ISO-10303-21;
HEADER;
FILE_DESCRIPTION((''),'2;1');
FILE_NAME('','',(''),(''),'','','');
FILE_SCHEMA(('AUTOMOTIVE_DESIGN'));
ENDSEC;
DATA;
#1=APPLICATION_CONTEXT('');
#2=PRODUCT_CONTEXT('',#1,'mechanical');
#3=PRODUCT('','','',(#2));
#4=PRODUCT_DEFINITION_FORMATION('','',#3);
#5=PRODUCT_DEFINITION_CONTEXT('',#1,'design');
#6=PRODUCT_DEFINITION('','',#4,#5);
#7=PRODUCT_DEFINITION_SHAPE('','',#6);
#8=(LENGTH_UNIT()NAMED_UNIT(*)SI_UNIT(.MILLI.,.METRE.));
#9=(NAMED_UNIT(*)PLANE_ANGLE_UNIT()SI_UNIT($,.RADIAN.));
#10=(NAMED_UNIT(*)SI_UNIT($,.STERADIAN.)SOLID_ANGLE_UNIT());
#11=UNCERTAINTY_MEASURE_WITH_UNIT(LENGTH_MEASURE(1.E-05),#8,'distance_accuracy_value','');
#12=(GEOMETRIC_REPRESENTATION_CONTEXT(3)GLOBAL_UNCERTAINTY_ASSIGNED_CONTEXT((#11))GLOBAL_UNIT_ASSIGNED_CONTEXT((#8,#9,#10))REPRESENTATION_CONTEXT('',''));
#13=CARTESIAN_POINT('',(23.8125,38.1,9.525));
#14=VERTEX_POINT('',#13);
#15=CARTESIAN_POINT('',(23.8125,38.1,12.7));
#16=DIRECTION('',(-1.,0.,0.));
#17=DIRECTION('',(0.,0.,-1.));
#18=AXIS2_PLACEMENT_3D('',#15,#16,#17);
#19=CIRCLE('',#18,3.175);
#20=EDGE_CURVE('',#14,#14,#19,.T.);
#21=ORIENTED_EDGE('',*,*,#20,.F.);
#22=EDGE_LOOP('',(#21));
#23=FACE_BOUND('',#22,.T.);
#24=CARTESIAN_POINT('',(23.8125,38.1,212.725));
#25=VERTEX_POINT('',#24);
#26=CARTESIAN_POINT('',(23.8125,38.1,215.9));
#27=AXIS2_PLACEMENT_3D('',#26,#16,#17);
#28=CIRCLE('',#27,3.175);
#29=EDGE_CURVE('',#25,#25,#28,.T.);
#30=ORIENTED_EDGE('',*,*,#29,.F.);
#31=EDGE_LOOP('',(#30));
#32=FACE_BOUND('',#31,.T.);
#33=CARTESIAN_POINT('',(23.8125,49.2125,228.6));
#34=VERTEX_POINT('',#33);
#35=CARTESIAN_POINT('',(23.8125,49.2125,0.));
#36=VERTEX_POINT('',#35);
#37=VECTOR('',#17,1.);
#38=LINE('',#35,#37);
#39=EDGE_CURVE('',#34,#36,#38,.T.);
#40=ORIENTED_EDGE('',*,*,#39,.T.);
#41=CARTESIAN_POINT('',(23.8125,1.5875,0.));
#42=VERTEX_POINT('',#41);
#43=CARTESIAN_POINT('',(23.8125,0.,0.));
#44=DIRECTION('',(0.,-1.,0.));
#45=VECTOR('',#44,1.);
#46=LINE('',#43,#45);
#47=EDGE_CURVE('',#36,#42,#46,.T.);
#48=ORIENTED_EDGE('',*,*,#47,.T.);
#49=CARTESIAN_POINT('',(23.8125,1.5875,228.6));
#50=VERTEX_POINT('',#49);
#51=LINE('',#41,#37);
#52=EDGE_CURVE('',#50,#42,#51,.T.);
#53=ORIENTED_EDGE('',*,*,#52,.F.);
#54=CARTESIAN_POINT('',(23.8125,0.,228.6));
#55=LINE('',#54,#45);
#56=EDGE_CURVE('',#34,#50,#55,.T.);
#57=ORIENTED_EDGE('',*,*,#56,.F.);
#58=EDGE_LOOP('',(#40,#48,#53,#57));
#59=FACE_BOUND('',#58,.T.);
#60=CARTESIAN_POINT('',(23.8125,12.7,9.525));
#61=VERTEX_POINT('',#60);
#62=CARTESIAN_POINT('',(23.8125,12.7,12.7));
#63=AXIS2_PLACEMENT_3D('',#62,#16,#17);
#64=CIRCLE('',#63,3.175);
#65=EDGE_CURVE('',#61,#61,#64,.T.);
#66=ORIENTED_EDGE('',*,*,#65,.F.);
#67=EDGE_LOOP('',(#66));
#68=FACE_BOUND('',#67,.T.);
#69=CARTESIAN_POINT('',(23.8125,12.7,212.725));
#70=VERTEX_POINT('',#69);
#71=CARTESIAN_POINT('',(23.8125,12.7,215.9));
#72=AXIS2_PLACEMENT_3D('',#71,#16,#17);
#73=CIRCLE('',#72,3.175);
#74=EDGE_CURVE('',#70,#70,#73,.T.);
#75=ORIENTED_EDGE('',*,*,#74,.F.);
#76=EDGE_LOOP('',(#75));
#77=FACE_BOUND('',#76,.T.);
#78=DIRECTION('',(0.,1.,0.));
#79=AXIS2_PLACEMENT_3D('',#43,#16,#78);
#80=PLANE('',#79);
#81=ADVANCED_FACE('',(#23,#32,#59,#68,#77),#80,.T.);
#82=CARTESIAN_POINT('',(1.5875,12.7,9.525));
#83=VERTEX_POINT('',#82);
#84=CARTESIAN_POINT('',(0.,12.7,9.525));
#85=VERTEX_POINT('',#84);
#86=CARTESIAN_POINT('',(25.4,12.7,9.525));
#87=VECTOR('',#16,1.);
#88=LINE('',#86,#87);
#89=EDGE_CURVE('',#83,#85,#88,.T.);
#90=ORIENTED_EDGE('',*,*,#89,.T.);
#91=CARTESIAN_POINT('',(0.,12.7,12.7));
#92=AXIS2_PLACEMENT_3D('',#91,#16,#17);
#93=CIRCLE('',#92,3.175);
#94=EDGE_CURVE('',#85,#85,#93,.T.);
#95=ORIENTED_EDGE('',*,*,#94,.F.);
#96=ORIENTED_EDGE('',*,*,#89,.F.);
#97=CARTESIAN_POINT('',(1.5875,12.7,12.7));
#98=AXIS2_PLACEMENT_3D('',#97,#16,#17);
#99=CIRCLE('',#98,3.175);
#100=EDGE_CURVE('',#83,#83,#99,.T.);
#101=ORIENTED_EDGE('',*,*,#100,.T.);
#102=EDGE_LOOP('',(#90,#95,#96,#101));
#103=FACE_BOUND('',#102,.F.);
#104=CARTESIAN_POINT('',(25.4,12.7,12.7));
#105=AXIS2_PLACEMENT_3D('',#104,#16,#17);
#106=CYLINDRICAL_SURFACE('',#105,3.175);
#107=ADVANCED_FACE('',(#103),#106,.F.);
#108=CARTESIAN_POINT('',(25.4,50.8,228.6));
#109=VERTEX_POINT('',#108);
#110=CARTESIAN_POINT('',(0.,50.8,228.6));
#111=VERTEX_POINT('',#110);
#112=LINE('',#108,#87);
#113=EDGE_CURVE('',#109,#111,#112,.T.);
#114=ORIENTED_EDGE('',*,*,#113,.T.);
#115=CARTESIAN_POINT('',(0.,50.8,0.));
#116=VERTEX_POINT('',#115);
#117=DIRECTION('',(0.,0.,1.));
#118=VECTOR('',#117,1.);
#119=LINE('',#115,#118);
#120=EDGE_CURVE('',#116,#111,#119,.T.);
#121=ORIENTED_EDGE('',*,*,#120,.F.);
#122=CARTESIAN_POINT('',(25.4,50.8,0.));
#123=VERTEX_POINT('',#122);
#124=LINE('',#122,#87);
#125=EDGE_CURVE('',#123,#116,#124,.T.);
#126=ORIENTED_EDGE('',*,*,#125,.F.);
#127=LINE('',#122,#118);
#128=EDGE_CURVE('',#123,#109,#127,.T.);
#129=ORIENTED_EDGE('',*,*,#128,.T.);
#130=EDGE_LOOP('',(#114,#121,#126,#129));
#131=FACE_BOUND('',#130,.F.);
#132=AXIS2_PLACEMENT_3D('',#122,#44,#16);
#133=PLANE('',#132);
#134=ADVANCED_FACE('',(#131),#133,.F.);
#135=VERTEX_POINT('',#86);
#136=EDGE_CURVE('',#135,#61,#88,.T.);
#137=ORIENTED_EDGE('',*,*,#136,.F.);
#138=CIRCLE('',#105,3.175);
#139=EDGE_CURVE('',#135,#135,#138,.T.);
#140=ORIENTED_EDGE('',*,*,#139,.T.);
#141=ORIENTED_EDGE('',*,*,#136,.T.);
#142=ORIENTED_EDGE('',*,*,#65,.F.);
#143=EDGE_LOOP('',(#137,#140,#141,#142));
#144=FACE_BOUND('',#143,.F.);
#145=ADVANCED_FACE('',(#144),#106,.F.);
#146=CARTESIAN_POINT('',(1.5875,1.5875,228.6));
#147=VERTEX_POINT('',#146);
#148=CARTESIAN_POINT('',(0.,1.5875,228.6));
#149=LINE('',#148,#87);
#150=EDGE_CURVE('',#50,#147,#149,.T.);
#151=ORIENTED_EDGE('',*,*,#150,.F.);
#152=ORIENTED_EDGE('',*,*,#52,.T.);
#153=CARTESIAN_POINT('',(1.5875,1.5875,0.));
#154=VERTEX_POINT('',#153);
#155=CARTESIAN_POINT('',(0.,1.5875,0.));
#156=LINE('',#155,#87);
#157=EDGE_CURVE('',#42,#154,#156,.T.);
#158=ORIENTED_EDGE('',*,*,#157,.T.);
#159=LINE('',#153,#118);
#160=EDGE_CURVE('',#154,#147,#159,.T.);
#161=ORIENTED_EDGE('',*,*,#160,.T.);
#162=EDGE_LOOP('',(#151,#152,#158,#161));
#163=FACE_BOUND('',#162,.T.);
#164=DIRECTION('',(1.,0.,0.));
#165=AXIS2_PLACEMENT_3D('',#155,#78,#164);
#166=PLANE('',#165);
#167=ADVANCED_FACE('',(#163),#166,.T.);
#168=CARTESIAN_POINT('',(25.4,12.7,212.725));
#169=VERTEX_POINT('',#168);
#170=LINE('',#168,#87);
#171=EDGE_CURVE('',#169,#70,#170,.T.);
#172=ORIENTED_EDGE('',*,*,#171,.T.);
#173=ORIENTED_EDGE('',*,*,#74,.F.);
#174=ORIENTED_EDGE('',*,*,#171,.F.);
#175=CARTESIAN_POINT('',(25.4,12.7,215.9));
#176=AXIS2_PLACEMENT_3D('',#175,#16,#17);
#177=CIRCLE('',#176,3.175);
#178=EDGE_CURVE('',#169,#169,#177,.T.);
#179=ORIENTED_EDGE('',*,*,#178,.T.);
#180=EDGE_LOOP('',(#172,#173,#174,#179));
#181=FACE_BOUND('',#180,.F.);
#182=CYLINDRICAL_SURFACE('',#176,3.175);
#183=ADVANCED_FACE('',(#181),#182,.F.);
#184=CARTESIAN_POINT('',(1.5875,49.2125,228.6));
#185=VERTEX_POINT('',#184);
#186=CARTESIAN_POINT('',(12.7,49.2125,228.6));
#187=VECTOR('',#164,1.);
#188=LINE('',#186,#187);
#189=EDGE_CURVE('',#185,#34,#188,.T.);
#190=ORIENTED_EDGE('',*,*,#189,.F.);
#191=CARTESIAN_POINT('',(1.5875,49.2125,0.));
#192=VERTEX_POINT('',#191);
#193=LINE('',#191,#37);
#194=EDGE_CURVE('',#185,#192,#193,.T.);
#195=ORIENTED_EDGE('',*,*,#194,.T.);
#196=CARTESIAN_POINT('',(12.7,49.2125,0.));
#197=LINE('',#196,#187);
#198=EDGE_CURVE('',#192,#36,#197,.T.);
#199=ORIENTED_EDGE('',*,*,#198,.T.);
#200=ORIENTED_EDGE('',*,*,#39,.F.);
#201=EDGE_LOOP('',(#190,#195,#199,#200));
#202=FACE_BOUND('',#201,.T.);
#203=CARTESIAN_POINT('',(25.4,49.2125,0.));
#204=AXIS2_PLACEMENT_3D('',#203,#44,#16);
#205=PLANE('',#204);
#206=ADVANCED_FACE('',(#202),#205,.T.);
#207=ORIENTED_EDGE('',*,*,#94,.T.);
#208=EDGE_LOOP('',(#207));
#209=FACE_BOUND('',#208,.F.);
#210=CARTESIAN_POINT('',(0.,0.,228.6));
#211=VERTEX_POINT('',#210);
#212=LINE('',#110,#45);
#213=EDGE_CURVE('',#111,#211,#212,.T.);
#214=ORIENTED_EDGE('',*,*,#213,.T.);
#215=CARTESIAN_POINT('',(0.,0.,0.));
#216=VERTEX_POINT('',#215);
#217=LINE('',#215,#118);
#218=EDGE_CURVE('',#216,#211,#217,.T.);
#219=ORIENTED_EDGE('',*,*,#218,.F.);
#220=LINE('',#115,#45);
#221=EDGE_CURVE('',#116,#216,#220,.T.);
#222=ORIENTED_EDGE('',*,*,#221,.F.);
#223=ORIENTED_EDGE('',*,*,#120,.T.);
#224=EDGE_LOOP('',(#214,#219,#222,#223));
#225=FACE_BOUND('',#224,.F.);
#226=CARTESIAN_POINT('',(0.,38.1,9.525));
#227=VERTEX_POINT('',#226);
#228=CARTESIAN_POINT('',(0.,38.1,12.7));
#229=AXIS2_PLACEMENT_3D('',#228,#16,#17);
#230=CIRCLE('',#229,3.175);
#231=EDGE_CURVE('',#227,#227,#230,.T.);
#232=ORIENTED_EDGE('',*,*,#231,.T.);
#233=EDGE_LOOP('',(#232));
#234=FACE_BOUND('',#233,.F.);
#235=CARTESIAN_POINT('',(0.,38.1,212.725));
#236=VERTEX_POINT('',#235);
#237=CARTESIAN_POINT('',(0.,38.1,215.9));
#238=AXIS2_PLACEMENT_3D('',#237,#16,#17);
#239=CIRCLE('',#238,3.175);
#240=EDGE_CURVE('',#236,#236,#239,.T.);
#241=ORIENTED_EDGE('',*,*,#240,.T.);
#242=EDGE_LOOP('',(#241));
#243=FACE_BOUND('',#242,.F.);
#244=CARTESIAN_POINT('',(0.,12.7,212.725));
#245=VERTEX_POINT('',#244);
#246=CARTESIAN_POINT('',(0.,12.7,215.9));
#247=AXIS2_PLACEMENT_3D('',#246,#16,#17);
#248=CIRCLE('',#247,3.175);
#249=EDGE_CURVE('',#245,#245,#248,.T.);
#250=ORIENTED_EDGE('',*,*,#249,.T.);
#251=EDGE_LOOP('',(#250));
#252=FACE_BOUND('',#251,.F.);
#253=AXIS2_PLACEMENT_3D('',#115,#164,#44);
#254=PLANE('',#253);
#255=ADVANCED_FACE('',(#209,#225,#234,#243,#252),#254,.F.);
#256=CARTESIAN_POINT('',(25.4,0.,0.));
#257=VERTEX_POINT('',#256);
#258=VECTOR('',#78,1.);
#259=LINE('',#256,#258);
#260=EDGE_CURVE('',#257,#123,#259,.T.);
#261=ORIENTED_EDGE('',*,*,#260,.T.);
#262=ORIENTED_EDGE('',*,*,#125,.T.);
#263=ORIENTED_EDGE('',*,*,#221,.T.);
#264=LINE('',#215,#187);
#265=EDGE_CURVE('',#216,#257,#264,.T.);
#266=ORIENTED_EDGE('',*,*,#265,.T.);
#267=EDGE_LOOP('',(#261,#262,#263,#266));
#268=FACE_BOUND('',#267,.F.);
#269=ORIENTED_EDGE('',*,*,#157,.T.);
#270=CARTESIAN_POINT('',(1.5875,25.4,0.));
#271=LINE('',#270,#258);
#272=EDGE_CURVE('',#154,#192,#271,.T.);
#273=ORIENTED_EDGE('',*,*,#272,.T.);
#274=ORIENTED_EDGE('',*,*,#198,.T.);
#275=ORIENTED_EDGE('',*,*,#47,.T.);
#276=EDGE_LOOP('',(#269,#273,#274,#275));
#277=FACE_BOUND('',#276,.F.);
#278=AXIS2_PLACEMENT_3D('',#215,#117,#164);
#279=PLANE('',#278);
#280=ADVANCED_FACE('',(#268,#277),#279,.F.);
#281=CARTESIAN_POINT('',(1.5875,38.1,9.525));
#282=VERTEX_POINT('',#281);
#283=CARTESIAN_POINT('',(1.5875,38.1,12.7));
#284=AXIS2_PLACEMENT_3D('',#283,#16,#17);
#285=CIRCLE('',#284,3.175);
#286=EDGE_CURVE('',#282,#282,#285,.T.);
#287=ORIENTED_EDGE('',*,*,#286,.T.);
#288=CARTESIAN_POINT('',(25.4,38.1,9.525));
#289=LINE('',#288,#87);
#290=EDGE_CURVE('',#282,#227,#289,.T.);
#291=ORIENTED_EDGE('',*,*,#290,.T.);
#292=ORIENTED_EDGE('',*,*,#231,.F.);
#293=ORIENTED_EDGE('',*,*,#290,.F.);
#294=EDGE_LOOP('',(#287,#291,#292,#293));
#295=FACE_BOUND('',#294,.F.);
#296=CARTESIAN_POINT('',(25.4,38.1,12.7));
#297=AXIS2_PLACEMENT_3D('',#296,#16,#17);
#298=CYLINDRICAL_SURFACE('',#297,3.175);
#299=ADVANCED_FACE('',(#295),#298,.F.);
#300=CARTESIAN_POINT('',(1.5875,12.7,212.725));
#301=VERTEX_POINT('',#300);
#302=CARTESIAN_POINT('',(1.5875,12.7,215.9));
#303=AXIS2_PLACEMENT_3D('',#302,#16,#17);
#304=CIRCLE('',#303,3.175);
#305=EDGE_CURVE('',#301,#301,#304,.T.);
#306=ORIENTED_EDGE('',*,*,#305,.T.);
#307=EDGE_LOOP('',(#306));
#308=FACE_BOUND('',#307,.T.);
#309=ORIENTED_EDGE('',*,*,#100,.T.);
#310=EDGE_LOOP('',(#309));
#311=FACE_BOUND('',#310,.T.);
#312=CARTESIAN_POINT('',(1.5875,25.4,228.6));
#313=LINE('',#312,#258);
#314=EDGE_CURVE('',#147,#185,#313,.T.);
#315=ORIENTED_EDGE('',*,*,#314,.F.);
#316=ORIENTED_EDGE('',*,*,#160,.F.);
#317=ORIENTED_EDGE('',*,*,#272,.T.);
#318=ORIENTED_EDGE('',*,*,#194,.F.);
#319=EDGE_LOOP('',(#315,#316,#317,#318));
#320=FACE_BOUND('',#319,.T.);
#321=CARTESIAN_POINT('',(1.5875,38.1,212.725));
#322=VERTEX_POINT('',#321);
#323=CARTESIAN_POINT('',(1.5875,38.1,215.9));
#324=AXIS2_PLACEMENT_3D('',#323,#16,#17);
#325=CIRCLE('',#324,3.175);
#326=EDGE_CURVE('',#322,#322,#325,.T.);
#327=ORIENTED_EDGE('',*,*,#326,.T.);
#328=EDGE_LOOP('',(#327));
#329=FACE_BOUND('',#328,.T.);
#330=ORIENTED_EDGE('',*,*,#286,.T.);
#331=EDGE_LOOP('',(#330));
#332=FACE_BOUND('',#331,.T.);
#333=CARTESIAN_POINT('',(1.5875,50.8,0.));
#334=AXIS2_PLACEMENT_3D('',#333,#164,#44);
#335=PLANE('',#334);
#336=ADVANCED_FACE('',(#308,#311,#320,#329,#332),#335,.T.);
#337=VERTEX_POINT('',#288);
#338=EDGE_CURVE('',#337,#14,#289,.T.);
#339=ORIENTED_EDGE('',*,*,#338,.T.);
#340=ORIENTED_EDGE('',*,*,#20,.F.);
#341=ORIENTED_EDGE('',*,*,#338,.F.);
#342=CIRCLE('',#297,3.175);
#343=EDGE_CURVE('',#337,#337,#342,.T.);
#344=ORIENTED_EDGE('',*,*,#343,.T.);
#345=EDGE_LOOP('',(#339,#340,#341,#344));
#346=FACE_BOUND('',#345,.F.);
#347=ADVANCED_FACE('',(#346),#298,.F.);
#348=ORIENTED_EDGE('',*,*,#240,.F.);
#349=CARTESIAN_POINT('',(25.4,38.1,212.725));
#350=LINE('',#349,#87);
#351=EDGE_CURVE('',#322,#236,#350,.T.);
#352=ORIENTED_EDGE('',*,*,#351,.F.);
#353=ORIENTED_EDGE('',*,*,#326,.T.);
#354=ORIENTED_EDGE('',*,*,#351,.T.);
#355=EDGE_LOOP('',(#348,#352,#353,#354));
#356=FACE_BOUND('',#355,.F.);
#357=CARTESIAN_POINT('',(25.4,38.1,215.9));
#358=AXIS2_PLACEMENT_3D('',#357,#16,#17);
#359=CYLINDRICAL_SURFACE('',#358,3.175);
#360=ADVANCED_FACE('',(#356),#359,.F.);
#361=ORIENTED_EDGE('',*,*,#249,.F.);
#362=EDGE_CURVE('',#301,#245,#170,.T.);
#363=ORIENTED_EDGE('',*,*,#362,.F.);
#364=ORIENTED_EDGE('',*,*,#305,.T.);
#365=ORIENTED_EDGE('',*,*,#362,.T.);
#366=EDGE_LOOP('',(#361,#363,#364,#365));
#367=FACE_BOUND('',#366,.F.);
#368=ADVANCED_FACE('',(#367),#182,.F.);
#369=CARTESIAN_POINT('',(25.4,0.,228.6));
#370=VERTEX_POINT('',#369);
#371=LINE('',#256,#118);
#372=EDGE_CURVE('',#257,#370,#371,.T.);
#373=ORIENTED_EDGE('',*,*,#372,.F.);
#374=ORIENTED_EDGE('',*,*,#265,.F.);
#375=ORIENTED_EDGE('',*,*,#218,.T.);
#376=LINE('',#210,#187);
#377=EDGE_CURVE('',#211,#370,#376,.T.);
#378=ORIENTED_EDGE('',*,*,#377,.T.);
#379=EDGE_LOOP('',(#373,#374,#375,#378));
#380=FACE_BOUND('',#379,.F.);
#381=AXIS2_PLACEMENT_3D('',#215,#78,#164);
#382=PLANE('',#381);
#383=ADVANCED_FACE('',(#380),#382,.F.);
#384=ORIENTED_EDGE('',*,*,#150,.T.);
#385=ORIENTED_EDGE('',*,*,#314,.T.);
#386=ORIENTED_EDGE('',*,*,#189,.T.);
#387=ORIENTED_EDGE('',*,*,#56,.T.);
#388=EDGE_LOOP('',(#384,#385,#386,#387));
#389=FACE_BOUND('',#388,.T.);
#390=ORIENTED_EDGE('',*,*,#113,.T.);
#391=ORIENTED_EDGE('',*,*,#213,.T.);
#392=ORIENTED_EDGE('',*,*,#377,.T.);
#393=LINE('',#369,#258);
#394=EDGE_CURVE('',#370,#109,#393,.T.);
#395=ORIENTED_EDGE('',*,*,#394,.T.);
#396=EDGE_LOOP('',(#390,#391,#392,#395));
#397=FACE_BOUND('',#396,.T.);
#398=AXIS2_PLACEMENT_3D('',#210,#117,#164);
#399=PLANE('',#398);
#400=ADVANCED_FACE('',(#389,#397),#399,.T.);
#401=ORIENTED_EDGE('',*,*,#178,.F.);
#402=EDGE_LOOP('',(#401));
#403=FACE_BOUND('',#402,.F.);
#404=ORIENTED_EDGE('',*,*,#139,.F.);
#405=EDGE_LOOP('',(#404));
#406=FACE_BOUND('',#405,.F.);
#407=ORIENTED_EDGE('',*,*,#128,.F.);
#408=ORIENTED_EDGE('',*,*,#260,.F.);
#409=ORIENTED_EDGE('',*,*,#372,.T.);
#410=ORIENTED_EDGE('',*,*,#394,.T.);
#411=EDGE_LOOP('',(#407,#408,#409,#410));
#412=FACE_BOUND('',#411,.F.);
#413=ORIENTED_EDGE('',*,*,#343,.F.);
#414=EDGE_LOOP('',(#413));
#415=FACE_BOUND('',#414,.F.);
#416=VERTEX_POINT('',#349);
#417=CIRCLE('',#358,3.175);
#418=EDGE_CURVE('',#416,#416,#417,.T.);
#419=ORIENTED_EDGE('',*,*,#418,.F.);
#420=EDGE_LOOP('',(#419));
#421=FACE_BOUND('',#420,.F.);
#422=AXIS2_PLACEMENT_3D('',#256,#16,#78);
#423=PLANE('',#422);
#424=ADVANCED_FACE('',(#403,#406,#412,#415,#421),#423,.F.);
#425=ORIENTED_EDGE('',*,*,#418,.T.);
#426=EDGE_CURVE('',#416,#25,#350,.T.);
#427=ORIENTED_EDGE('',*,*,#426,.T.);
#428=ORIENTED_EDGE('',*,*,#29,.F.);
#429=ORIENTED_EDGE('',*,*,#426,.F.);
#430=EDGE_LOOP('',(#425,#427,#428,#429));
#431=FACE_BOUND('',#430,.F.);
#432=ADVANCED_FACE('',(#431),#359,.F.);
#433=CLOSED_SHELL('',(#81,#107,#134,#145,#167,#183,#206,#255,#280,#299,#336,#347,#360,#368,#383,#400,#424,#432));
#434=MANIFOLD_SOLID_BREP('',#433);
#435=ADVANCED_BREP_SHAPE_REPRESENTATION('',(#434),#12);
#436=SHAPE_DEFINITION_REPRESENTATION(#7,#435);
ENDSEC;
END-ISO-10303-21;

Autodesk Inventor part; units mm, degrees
ref_plane "YZ Plane" through (0, 0, 0) normal (1, 0, 0) x (0, 1, 0)
ref_plane "XZ Plane" through (0, 0, 0) normal (0, 1, 0) x (-1, 0, 0)
ref_plane "XY Plane" through (0, 0, 0) normal (0, 0, 1) x (1, 0, 0)
sketch "Sketch1" plane through (0, 0, 0) normal (0, 0, 1) x (1, 0, 0)
  line L0 (0, 0) -> (25.4, 0)
  line L1 (25.4, 0) -> (25.4, 50.8)
  line L2 (25.4, 50.8) -> (0, 50.8)
  line L3 (0, 50.8) -> (0, 0)
  dimension "d0" = 25.4
  dimension "d1" = 50.8
extrude "Extrusion1" add sketch "Sketch1" along normal blind 228.6
shell "Shell1" thickness 1.5875 removed faces 2 at (8.4667, 33.8667, 0) at (8.4667, 33.8667, 228.6)
hole "Hole1" at (25.4, 38.1, 215.9) direction (-1, 0, 0) diameter 6.35 end through all
hole "Hole2" at (25.4, 12.7, 215.9) direction (-1, 0, 0) diameter 6.35 end through all
hole "Hole3" at (25.4, 38.1, 12.7) direction (-1, 0, 0) diameter 6.35 end through all
hole "Hole4" at (25.4, 12.7, 12.7) direction (-1, 0, 0) diameter 6.35 end through all
properties part number "Flywheel Roller Right Side Support Beam"
